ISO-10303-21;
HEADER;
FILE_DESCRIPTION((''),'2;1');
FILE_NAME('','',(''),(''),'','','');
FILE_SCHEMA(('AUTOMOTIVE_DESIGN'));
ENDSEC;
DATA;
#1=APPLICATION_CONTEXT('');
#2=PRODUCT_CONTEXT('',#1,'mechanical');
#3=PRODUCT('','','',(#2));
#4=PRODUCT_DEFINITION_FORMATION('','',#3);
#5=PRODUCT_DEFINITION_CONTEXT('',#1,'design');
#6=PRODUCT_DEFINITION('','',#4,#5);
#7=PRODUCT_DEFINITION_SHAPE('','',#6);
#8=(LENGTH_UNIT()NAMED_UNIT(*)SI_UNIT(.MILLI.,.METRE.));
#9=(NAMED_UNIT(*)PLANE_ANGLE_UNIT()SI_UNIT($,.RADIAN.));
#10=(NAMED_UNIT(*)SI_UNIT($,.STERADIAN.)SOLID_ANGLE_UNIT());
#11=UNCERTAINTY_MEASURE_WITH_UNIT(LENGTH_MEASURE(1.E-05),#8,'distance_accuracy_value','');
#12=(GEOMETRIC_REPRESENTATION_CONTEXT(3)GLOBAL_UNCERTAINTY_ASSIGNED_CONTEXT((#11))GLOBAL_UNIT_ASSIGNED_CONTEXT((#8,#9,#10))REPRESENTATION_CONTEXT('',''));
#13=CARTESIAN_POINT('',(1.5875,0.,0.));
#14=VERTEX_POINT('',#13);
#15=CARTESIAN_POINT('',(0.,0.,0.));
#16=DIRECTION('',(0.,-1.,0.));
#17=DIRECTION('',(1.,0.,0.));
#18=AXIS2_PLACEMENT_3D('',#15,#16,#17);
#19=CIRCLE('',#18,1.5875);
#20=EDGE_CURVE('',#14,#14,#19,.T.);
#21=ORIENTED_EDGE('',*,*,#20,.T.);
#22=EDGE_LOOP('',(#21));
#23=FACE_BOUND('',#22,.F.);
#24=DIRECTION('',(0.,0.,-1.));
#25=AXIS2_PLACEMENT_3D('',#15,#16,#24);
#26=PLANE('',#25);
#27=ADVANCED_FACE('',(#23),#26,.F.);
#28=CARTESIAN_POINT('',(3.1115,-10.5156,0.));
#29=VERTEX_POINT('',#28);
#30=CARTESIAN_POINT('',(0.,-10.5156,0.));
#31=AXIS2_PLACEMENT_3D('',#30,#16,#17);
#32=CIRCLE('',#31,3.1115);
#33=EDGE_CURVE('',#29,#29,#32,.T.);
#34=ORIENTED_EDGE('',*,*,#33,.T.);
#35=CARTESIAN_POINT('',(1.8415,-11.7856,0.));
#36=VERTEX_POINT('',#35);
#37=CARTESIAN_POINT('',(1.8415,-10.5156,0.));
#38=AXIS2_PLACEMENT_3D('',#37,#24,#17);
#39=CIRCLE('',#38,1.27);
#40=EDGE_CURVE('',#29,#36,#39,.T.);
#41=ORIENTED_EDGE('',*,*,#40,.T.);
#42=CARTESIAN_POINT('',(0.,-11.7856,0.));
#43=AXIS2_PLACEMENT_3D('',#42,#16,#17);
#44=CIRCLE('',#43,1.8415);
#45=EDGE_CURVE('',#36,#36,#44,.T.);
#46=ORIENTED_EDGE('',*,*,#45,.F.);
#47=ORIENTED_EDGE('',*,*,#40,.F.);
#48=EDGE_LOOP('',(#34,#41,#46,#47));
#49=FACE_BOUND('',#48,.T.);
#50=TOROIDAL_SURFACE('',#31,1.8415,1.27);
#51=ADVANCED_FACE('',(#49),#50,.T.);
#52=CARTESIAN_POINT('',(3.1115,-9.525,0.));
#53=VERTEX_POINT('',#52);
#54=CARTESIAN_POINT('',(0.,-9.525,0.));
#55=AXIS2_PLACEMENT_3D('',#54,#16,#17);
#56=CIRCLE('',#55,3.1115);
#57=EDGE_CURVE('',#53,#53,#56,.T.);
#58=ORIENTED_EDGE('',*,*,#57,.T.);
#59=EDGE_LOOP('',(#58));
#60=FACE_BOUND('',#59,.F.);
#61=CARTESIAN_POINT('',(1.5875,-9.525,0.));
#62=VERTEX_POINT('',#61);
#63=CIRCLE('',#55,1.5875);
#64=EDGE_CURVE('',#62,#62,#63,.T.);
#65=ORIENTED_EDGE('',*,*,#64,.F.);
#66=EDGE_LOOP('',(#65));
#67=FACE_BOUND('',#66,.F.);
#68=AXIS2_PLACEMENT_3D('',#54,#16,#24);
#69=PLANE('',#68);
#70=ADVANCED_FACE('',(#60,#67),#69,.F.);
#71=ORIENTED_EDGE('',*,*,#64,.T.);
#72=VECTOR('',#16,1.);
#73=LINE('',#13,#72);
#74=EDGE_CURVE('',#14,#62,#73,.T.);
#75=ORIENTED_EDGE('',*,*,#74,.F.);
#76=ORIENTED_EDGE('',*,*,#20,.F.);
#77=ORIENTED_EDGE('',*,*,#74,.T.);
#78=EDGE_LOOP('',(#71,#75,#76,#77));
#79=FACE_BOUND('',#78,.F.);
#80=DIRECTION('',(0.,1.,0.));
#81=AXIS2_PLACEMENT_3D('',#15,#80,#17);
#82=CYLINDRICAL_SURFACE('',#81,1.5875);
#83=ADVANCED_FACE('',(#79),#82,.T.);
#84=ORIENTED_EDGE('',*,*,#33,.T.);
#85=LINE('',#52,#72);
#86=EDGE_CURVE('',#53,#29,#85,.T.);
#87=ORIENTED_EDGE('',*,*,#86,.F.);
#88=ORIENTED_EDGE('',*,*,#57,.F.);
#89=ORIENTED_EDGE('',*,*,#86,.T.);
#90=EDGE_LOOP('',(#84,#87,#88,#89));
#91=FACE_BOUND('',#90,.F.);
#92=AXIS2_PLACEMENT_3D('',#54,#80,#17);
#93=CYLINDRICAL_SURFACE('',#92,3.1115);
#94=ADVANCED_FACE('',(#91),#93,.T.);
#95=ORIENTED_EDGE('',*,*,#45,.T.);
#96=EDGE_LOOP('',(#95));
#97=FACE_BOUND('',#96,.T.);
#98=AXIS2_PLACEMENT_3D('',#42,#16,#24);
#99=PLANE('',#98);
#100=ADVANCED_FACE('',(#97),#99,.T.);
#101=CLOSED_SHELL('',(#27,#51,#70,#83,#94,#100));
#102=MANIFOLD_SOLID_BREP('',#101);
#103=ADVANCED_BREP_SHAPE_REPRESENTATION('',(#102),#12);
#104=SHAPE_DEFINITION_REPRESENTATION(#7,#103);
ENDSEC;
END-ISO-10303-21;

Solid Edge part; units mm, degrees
sketch "Sketch1" plane through (0, 0, 0) normal (0, -1, 0) x (1, 0, 0)
  circle A0 centre (0, 0) radius 1.5875
  dimension "D1" = 3.175
extrude "Protrusion1" add sketch "Sketch1" along normal blind 9.525
sketch "Sketch2" plane through (0, -9.525, 0) normal (0, -1, 0) x (1, 0, 0)
  circle A0 centre (0, 0) radius 3.1115
extrude "ExtrudedProtrusion_2" add sketch "Sketch2" along normal blind 2.2606
fillet "Round_1" radius 1.27 1 edges at (-3.1115, -11.7856, 0)
cosmetic_thread "Thread1" size "#5-40 UNC"
properties part number "91772A133"
